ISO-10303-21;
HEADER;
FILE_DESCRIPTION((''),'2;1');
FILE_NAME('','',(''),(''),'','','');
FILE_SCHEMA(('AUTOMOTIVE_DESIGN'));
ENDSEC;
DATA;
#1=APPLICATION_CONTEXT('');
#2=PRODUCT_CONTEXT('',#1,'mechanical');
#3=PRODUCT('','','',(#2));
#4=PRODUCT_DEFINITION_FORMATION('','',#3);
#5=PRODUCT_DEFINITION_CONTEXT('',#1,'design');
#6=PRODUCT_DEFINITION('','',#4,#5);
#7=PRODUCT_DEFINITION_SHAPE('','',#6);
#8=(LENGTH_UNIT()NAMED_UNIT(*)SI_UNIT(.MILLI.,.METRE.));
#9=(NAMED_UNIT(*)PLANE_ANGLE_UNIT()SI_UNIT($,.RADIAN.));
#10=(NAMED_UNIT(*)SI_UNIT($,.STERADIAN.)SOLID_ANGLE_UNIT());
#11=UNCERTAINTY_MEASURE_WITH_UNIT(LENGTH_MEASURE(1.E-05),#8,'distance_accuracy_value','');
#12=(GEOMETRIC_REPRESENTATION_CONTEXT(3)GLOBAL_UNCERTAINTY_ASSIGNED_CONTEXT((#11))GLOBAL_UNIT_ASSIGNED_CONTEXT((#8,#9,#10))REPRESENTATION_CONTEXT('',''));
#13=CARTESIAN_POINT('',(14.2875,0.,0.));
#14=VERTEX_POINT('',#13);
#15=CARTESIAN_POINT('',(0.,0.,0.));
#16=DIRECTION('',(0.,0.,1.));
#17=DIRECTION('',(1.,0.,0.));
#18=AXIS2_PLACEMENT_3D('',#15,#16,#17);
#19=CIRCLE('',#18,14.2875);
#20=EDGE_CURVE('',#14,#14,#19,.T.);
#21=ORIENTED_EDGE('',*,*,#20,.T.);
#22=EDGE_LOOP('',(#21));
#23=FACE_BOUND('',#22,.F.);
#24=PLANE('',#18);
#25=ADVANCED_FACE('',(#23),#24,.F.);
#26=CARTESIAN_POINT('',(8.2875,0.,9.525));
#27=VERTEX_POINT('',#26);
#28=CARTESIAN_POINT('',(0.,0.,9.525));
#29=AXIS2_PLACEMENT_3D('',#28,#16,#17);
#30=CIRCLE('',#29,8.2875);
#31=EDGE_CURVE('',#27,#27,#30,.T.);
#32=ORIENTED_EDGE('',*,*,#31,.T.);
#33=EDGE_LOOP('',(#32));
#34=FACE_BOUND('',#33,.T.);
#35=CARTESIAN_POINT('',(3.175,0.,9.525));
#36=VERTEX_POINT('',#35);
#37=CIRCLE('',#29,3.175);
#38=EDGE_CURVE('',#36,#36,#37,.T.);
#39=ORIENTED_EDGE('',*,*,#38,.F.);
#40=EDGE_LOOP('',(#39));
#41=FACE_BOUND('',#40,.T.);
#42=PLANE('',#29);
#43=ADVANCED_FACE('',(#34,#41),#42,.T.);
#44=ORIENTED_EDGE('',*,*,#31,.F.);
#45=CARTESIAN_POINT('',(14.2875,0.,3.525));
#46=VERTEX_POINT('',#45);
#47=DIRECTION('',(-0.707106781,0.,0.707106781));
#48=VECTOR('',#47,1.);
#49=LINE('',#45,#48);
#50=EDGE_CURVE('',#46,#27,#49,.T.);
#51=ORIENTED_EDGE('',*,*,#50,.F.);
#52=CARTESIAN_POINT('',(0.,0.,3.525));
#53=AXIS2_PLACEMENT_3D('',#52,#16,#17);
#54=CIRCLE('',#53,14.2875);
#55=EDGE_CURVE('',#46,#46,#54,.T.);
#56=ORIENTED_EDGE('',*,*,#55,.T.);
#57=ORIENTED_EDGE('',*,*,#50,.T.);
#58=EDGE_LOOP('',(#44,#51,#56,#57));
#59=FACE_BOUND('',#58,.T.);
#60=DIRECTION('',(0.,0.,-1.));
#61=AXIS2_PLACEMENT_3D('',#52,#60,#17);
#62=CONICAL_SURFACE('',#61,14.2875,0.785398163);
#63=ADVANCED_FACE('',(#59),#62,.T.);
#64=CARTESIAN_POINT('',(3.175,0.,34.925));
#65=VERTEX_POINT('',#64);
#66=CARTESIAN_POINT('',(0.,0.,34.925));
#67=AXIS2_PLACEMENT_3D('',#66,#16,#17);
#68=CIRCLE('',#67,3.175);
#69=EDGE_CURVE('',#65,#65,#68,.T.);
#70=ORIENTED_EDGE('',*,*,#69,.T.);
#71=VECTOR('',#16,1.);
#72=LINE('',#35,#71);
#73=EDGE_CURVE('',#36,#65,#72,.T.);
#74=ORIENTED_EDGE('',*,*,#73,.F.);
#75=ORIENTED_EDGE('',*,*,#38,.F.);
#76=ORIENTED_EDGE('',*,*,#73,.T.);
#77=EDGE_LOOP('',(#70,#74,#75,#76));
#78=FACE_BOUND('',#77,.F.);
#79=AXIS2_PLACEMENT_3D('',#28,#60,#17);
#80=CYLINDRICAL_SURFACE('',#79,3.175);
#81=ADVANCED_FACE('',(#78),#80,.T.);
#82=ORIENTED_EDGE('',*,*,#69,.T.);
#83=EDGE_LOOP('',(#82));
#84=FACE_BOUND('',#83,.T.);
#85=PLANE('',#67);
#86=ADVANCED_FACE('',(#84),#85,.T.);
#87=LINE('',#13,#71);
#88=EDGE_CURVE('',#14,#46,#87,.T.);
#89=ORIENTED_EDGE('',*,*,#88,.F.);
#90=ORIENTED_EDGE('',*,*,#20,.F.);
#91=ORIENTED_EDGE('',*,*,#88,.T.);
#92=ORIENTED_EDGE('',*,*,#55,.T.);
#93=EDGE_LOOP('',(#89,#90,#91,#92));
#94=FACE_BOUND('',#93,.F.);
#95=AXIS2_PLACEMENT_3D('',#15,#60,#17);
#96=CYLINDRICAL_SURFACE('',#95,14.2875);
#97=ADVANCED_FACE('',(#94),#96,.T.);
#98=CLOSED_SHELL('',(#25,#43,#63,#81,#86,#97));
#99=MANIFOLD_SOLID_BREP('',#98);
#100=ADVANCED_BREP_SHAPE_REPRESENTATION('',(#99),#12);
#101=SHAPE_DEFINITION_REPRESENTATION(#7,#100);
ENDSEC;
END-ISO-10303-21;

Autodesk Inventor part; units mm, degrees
ref_plane "YZ Plane" through (0, 0, 0) normal (1, 0, 0) x (0, 1, 0)
ref_plane "XZ Plane" through (0, 0, 0) normal (0, 1, 0) x (-1, 0, 0)
ref_plane "XY Plane" through (0, 0, 0) normal (0, 0, 1) x (1, 0, 0)
sketch "Sketch1" plane through (0, 0, 0) normal (0, 0, 1) x (1, 0, 0)
  circle A0 centre (0, 0) radius 14.2875
  dimension "d0" = 28.575
extrude "Extrusion1" add sketch "Sketch1" along normal blind 9.525
sketch "Sketch2" plane through (0, 0, 9.525) normal (0, 0, 1) x (1, 0, 0)
  circle A0 centre (0, 0) radius 14.2875 projected
  circle A1 centre (0, 0) radius 3.175
  dimension "d4" = 6.35
extrude "Extrusion2" add sketch "Sketch2" along normal blind 25.4 contours A1
chamfer "Chamfer1" distance 6 angle 45 1 edges at (-14.2875, 0, 9.525)
thread "Thread1" size "1/4-20 UNC" class "2A" standard "ANSI Unified Screw Threads" full length
properties part number "23015T82"
